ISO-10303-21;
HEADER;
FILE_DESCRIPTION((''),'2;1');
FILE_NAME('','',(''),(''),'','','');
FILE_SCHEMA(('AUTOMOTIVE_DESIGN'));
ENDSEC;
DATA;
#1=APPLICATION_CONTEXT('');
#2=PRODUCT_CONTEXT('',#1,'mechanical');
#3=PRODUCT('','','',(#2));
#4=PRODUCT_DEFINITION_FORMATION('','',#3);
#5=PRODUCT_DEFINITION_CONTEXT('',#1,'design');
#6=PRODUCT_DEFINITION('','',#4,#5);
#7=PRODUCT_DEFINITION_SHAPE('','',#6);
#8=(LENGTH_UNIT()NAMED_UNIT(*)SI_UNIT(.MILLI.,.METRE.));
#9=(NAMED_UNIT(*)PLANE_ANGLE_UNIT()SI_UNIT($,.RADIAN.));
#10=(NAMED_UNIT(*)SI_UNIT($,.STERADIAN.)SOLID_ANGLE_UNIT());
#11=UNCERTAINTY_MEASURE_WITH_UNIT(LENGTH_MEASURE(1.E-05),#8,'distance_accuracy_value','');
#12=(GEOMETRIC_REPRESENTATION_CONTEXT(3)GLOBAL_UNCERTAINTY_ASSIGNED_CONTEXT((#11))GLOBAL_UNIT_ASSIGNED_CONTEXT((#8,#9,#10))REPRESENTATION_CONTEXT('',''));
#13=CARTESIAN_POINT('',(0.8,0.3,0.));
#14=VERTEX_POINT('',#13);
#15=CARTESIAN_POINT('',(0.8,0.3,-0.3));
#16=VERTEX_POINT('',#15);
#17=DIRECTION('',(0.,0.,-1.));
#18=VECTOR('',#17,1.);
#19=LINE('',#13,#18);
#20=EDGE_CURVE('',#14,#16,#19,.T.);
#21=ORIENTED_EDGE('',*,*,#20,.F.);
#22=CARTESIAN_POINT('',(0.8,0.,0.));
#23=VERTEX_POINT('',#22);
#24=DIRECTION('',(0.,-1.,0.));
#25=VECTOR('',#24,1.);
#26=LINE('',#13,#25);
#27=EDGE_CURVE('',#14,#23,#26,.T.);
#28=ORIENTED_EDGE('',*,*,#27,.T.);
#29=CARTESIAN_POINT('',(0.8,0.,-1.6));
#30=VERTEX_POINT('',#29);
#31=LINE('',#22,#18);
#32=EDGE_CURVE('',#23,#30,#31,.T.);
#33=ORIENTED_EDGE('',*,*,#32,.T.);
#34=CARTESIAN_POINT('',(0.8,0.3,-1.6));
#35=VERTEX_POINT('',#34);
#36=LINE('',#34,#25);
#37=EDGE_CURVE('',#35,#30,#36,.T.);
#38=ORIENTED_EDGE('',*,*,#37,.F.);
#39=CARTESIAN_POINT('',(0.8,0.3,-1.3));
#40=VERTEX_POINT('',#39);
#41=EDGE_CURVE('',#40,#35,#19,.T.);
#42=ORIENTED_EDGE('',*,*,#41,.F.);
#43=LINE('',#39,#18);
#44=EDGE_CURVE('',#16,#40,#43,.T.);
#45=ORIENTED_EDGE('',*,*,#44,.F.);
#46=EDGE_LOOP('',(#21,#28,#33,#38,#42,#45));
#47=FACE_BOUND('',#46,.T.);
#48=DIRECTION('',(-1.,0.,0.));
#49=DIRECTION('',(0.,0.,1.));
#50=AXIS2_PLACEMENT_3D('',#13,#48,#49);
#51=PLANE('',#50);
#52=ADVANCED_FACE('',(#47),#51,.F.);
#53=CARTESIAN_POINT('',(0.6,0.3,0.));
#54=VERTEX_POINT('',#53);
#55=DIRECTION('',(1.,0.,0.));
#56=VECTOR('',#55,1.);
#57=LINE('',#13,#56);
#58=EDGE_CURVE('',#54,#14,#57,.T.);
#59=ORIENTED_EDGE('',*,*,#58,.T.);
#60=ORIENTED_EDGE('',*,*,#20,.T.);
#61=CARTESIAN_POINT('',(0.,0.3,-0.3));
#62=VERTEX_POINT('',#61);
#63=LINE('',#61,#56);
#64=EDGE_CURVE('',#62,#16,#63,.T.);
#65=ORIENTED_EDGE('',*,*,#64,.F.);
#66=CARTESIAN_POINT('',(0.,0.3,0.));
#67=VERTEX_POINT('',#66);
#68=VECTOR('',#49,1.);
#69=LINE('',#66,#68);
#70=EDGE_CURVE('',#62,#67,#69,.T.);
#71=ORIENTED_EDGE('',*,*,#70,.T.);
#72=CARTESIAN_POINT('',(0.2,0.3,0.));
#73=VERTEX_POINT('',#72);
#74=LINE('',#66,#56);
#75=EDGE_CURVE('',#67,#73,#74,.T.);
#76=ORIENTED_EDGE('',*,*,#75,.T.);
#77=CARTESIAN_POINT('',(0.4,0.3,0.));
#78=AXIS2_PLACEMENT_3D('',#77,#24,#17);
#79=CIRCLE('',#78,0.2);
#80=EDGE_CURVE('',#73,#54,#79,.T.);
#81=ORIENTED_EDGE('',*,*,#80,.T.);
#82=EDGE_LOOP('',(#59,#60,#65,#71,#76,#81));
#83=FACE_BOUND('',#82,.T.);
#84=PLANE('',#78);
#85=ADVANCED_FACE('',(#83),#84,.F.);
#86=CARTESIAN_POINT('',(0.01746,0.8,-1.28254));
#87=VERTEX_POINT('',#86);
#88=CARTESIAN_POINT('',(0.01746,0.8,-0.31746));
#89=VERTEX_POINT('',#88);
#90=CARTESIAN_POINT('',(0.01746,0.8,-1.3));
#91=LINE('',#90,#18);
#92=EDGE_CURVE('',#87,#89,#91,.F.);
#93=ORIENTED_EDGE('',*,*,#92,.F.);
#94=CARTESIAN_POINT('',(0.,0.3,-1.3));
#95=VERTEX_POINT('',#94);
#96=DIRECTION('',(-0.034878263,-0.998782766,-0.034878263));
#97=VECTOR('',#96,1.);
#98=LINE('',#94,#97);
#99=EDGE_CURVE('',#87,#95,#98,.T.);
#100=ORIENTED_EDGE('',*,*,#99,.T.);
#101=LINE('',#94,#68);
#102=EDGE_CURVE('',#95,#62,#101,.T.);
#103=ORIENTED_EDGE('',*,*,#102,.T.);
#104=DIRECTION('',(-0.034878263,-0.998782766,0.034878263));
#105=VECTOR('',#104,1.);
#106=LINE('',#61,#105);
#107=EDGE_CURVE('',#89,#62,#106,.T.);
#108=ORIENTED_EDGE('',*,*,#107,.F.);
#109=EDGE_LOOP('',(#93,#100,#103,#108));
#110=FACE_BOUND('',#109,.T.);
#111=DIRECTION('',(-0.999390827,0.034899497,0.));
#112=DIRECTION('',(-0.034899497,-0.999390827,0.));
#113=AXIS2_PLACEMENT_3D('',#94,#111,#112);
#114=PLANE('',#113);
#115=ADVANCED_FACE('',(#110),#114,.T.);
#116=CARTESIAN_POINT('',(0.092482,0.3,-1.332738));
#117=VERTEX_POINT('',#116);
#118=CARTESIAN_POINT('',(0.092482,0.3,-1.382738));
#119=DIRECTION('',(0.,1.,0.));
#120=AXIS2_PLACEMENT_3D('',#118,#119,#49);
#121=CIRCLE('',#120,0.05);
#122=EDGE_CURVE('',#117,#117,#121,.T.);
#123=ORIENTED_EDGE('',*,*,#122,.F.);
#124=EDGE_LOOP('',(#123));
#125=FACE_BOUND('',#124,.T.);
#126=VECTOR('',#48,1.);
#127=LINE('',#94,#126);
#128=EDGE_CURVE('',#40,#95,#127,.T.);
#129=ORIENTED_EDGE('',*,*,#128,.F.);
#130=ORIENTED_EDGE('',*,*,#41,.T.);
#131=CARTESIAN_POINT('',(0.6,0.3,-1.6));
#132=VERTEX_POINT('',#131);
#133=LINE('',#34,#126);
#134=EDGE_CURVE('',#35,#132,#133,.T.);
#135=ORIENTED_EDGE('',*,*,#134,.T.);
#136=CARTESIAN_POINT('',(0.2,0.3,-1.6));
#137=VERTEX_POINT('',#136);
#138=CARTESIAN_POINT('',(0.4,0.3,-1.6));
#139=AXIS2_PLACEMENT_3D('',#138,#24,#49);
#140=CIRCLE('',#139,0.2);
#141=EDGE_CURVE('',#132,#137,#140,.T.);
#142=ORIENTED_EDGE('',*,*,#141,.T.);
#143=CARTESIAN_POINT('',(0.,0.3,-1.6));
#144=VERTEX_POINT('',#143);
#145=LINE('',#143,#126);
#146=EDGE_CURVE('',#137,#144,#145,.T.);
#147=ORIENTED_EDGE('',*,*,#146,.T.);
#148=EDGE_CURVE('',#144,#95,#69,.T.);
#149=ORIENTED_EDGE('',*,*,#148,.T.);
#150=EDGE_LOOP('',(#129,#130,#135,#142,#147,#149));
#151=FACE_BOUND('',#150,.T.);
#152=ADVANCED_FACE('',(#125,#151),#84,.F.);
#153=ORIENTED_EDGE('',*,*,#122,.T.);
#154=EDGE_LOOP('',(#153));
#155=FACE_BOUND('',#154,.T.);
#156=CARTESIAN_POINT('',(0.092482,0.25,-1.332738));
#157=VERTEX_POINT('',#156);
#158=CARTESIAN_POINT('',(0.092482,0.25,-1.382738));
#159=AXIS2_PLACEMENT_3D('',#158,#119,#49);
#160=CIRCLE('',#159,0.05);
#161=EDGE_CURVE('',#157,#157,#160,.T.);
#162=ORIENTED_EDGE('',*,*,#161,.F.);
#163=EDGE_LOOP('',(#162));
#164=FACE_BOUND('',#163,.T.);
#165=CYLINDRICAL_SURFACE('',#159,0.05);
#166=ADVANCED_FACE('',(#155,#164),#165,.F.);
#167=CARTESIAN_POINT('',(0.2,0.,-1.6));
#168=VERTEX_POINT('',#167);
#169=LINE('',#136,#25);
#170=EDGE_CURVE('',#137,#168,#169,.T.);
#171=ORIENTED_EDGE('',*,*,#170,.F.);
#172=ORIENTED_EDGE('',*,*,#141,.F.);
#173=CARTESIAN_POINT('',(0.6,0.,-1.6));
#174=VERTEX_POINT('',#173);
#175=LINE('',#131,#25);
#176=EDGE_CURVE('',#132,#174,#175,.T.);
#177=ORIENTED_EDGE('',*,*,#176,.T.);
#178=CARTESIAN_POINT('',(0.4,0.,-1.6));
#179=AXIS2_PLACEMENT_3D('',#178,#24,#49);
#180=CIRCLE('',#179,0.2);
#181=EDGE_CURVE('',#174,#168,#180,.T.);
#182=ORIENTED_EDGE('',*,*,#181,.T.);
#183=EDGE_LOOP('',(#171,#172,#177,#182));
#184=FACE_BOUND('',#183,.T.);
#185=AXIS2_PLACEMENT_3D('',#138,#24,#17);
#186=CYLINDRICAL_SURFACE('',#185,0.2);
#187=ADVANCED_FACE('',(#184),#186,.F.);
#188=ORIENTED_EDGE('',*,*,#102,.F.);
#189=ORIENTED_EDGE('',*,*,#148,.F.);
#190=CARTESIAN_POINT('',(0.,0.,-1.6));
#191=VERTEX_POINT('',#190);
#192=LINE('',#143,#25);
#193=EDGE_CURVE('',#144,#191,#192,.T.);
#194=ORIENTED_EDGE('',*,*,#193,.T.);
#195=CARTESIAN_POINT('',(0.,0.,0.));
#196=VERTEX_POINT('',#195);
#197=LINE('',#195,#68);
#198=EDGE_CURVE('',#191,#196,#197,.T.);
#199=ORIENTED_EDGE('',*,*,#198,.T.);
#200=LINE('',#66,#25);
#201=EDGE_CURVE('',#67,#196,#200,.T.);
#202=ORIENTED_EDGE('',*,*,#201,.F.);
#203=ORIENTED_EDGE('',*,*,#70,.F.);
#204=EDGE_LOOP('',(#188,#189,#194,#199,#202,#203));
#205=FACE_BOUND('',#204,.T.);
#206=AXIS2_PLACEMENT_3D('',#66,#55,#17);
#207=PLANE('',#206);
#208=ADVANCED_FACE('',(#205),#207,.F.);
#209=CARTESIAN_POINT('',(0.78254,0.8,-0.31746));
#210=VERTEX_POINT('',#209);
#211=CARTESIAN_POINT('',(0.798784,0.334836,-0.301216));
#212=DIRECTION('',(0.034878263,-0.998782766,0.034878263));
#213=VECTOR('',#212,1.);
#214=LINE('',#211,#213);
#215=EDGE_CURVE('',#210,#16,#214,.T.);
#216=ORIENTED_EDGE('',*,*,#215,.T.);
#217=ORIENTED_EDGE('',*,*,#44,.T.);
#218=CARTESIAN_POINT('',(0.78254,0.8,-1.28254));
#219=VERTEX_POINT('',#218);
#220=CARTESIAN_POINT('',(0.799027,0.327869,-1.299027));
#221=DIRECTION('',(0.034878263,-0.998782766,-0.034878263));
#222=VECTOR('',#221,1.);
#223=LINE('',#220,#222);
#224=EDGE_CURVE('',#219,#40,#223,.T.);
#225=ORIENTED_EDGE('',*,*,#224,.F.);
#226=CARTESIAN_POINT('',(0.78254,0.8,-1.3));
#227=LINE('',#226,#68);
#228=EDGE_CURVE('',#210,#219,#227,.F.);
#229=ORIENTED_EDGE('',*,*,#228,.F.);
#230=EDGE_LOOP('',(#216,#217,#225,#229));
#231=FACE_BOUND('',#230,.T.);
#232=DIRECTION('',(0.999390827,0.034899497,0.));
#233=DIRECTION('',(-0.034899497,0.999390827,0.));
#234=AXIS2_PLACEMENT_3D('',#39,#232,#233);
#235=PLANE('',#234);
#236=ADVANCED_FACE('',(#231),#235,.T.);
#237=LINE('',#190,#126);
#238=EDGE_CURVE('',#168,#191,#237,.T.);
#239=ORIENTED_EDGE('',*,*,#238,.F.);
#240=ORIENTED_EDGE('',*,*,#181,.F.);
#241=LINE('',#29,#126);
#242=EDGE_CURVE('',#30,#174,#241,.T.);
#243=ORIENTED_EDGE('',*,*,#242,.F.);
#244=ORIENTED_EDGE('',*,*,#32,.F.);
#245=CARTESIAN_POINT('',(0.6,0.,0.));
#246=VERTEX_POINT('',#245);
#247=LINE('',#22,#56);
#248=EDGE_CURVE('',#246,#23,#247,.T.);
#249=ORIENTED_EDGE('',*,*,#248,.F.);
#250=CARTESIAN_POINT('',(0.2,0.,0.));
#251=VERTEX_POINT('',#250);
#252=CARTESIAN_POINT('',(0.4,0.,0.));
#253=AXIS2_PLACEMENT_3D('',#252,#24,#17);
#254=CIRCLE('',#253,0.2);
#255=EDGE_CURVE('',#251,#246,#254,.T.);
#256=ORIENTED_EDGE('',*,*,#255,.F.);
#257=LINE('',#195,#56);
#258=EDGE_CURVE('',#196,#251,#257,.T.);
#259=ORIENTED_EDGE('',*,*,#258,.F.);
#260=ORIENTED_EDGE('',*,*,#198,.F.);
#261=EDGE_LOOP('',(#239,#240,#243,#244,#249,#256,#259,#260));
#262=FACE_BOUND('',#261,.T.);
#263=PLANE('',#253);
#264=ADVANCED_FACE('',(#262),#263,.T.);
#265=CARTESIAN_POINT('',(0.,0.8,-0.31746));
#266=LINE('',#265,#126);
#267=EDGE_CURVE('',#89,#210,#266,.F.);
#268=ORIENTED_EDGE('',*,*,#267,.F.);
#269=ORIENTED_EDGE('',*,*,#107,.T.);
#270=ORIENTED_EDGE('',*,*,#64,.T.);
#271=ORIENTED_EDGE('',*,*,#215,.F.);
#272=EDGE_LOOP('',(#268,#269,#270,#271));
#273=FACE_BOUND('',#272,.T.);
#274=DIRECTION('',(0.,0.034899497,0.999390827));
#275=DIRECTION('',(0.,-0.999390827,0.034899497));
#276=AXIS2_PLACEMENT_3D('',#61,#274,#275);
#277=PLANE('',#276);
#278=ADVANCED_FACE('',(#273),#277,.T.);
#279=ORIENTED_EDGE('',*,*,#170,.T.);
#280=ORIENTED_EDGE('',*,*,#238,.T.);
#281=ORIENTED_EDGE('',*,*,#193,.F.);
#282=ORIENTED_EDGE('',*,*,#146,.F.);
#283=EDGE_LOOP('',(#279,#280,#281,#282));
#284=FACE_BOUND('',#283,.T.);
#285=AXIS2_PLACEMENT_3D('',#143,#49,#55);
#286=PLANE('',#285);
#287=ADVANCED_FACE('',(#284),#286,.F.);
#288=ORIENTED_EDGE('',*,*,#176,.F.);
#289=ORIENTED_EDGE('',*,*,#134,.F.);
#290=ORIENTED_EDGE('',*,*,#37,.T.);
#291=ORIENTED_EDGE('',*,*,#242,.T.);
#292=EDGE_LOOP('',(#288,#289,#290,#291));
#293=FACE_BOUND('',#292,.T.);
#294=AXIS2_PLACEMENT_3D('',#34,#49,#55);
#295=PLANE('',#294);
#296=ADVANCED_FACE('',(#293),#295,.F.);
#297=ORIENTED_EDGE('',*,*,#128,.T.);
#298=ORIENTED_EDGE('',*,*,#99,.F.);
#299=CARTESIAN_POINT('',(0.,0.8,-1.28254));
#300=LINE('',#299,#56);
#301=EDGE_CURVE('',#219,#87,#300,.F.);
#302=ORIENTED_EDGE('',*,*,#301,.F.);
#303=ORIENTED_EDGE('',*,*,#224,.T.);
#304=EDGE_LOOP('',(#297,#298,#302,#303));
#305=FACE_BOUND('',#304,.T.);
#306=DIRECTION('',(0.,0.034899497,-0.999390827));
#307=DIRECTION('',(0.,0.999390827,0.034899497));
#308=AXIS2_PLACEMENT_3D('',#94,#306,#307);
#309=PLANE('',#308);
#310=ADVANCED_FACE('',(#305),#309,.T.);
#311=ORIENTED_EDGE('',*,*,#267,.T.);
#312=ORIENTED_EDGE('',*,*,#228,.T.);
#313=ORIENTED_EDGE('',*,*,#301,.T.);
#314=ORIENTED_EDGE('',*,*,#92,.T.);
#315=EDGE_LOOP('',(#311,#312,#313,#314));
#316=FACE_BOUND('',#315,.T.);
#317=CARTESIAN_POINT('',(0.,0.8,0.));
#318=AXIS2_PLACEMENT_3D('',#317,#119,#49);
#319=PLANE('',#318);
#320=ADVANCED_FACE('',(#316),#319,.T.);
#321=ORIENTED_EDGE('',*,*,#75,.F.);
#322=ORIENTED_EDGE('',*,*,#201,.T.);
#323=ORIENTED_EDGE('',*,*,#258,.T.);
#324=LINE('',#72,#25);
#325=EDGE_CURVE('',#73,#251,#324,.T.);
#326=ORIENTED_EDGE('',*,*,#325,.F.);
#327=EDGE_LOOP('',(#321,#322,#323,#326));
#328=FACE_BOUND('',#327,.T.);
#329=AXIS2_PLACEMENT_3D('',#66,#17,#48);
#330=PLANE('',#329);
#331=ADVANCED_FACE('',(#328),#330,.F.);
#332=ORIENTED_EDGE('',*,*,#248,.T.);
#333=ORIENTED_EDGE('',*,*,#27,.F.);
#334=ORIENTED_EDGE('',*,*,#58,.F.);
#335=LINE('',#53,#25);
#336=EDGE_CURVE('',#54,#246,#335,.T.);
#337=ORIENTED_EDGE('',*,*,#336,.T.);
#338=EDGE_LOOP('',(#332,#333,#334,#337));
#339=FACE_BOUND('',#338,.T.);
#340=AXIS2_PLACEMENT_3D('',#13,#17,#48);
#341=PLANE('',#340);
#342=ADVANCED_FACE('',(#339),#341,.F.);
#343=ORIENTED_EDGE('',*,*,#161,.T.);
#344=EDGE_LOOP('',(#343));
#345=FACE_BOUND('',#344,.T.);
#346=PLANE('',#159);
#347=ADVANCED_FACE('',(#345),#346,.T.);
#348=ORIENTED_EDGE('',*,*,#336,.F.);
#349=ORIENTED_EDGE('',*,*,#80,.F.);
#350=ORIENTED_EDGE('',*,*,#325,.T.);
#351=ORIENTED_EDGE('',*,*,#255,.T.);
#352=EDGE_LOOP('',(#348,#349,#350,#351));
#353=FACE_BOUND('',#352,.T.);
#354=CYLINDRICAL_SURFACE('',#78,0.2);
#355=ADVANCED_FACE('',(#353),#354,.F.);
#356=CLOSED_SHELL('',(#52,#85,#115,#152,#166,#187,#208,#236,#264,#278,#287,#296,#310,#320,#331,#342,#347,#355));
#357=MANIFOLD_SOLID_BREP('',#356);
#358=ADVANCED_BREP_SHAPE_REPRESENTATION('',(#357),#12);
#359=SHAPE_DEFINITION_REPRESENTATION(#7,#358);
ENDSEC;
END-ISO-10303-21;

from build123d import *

# Parameters (mm, degrees)
ESTRUSIONE_ESTRUSIONE1_DEPTH = 0.3
SCHIZZO2_R                   = 0.05
TAGLIO_ESTRUSIONE1_DEPTH     = 0.05
SCHIZZO3_W                   = 0.8
SCHIZZO3_H                   = 1
ESTRUSIONE_ESTRUSIONE2_DEPTH = 0.5
ESTRUSIONE_ESTRUSIONE2_TAPER = 2


with BuildPart() as part:
    # Schizzo1 → Estrusione-Estrusione1 (new body)
    with BuildSketch(Plane(origin=(0, 0, 0), x_dir=(1, 0, 0), z_dir=(0, 1, 0))):
        with BuildLine():
            Line((0.8, 1.6), (0.6, 1.6))
            ThreePointArc((0.6, 1.6), (0.4, 1.4), (0.2, 1.6))
            Line((0.2, 1.6), (0, 1.6))
            Line((0, 1.6), (0, 0))
            Line((0, 0), (0.2, 0))
            ThreePointArc((0.2, 0), (0.4, 0.2), (0.6, 0))
            Line((0.6, 0), (0.8, 0))
            Line((0.8, 0), (0.8, 1.6))
        make_face()
    extrude(amount=ESTRUSIONE_ESTRUSIONE1_DEPTH)

    # Schizzo2 → Taglio-Estrusione1 (cut)
    with BuildSketch(Plane(origin=(0, 0.3, 0), x_dir=(1, 0, 0), z_dir=(0, 1, 0))):
        with Locations(Location((0.092481548, 1.382737711, 0), (0, 0, 270))):
            Circle(SCHIZZO2_R)
    extrude(amount=-TAGLIO_ESTRUSIONE1_DEPTH, mode=Mode.SUBTRACT)

    # Schizzo3 → Estrusione-Estrusione2 (add)
    with BuildSketch(Plane(origin=(0, 0.3, 0), x_dir=(1, 0, 0), z_dir=(0, 1, 0))):
        with Locations((0.4, 0.8)):
            Rectangle(SCHIZZO3_W, SCHIZZO3_H)
    extrude(amount=ESTRUSIONE_ESTRUSIONE2_DEPTH, taper=ESTRUSIONE_ESTRUSIONE2_TAPER)


solid = part.part
